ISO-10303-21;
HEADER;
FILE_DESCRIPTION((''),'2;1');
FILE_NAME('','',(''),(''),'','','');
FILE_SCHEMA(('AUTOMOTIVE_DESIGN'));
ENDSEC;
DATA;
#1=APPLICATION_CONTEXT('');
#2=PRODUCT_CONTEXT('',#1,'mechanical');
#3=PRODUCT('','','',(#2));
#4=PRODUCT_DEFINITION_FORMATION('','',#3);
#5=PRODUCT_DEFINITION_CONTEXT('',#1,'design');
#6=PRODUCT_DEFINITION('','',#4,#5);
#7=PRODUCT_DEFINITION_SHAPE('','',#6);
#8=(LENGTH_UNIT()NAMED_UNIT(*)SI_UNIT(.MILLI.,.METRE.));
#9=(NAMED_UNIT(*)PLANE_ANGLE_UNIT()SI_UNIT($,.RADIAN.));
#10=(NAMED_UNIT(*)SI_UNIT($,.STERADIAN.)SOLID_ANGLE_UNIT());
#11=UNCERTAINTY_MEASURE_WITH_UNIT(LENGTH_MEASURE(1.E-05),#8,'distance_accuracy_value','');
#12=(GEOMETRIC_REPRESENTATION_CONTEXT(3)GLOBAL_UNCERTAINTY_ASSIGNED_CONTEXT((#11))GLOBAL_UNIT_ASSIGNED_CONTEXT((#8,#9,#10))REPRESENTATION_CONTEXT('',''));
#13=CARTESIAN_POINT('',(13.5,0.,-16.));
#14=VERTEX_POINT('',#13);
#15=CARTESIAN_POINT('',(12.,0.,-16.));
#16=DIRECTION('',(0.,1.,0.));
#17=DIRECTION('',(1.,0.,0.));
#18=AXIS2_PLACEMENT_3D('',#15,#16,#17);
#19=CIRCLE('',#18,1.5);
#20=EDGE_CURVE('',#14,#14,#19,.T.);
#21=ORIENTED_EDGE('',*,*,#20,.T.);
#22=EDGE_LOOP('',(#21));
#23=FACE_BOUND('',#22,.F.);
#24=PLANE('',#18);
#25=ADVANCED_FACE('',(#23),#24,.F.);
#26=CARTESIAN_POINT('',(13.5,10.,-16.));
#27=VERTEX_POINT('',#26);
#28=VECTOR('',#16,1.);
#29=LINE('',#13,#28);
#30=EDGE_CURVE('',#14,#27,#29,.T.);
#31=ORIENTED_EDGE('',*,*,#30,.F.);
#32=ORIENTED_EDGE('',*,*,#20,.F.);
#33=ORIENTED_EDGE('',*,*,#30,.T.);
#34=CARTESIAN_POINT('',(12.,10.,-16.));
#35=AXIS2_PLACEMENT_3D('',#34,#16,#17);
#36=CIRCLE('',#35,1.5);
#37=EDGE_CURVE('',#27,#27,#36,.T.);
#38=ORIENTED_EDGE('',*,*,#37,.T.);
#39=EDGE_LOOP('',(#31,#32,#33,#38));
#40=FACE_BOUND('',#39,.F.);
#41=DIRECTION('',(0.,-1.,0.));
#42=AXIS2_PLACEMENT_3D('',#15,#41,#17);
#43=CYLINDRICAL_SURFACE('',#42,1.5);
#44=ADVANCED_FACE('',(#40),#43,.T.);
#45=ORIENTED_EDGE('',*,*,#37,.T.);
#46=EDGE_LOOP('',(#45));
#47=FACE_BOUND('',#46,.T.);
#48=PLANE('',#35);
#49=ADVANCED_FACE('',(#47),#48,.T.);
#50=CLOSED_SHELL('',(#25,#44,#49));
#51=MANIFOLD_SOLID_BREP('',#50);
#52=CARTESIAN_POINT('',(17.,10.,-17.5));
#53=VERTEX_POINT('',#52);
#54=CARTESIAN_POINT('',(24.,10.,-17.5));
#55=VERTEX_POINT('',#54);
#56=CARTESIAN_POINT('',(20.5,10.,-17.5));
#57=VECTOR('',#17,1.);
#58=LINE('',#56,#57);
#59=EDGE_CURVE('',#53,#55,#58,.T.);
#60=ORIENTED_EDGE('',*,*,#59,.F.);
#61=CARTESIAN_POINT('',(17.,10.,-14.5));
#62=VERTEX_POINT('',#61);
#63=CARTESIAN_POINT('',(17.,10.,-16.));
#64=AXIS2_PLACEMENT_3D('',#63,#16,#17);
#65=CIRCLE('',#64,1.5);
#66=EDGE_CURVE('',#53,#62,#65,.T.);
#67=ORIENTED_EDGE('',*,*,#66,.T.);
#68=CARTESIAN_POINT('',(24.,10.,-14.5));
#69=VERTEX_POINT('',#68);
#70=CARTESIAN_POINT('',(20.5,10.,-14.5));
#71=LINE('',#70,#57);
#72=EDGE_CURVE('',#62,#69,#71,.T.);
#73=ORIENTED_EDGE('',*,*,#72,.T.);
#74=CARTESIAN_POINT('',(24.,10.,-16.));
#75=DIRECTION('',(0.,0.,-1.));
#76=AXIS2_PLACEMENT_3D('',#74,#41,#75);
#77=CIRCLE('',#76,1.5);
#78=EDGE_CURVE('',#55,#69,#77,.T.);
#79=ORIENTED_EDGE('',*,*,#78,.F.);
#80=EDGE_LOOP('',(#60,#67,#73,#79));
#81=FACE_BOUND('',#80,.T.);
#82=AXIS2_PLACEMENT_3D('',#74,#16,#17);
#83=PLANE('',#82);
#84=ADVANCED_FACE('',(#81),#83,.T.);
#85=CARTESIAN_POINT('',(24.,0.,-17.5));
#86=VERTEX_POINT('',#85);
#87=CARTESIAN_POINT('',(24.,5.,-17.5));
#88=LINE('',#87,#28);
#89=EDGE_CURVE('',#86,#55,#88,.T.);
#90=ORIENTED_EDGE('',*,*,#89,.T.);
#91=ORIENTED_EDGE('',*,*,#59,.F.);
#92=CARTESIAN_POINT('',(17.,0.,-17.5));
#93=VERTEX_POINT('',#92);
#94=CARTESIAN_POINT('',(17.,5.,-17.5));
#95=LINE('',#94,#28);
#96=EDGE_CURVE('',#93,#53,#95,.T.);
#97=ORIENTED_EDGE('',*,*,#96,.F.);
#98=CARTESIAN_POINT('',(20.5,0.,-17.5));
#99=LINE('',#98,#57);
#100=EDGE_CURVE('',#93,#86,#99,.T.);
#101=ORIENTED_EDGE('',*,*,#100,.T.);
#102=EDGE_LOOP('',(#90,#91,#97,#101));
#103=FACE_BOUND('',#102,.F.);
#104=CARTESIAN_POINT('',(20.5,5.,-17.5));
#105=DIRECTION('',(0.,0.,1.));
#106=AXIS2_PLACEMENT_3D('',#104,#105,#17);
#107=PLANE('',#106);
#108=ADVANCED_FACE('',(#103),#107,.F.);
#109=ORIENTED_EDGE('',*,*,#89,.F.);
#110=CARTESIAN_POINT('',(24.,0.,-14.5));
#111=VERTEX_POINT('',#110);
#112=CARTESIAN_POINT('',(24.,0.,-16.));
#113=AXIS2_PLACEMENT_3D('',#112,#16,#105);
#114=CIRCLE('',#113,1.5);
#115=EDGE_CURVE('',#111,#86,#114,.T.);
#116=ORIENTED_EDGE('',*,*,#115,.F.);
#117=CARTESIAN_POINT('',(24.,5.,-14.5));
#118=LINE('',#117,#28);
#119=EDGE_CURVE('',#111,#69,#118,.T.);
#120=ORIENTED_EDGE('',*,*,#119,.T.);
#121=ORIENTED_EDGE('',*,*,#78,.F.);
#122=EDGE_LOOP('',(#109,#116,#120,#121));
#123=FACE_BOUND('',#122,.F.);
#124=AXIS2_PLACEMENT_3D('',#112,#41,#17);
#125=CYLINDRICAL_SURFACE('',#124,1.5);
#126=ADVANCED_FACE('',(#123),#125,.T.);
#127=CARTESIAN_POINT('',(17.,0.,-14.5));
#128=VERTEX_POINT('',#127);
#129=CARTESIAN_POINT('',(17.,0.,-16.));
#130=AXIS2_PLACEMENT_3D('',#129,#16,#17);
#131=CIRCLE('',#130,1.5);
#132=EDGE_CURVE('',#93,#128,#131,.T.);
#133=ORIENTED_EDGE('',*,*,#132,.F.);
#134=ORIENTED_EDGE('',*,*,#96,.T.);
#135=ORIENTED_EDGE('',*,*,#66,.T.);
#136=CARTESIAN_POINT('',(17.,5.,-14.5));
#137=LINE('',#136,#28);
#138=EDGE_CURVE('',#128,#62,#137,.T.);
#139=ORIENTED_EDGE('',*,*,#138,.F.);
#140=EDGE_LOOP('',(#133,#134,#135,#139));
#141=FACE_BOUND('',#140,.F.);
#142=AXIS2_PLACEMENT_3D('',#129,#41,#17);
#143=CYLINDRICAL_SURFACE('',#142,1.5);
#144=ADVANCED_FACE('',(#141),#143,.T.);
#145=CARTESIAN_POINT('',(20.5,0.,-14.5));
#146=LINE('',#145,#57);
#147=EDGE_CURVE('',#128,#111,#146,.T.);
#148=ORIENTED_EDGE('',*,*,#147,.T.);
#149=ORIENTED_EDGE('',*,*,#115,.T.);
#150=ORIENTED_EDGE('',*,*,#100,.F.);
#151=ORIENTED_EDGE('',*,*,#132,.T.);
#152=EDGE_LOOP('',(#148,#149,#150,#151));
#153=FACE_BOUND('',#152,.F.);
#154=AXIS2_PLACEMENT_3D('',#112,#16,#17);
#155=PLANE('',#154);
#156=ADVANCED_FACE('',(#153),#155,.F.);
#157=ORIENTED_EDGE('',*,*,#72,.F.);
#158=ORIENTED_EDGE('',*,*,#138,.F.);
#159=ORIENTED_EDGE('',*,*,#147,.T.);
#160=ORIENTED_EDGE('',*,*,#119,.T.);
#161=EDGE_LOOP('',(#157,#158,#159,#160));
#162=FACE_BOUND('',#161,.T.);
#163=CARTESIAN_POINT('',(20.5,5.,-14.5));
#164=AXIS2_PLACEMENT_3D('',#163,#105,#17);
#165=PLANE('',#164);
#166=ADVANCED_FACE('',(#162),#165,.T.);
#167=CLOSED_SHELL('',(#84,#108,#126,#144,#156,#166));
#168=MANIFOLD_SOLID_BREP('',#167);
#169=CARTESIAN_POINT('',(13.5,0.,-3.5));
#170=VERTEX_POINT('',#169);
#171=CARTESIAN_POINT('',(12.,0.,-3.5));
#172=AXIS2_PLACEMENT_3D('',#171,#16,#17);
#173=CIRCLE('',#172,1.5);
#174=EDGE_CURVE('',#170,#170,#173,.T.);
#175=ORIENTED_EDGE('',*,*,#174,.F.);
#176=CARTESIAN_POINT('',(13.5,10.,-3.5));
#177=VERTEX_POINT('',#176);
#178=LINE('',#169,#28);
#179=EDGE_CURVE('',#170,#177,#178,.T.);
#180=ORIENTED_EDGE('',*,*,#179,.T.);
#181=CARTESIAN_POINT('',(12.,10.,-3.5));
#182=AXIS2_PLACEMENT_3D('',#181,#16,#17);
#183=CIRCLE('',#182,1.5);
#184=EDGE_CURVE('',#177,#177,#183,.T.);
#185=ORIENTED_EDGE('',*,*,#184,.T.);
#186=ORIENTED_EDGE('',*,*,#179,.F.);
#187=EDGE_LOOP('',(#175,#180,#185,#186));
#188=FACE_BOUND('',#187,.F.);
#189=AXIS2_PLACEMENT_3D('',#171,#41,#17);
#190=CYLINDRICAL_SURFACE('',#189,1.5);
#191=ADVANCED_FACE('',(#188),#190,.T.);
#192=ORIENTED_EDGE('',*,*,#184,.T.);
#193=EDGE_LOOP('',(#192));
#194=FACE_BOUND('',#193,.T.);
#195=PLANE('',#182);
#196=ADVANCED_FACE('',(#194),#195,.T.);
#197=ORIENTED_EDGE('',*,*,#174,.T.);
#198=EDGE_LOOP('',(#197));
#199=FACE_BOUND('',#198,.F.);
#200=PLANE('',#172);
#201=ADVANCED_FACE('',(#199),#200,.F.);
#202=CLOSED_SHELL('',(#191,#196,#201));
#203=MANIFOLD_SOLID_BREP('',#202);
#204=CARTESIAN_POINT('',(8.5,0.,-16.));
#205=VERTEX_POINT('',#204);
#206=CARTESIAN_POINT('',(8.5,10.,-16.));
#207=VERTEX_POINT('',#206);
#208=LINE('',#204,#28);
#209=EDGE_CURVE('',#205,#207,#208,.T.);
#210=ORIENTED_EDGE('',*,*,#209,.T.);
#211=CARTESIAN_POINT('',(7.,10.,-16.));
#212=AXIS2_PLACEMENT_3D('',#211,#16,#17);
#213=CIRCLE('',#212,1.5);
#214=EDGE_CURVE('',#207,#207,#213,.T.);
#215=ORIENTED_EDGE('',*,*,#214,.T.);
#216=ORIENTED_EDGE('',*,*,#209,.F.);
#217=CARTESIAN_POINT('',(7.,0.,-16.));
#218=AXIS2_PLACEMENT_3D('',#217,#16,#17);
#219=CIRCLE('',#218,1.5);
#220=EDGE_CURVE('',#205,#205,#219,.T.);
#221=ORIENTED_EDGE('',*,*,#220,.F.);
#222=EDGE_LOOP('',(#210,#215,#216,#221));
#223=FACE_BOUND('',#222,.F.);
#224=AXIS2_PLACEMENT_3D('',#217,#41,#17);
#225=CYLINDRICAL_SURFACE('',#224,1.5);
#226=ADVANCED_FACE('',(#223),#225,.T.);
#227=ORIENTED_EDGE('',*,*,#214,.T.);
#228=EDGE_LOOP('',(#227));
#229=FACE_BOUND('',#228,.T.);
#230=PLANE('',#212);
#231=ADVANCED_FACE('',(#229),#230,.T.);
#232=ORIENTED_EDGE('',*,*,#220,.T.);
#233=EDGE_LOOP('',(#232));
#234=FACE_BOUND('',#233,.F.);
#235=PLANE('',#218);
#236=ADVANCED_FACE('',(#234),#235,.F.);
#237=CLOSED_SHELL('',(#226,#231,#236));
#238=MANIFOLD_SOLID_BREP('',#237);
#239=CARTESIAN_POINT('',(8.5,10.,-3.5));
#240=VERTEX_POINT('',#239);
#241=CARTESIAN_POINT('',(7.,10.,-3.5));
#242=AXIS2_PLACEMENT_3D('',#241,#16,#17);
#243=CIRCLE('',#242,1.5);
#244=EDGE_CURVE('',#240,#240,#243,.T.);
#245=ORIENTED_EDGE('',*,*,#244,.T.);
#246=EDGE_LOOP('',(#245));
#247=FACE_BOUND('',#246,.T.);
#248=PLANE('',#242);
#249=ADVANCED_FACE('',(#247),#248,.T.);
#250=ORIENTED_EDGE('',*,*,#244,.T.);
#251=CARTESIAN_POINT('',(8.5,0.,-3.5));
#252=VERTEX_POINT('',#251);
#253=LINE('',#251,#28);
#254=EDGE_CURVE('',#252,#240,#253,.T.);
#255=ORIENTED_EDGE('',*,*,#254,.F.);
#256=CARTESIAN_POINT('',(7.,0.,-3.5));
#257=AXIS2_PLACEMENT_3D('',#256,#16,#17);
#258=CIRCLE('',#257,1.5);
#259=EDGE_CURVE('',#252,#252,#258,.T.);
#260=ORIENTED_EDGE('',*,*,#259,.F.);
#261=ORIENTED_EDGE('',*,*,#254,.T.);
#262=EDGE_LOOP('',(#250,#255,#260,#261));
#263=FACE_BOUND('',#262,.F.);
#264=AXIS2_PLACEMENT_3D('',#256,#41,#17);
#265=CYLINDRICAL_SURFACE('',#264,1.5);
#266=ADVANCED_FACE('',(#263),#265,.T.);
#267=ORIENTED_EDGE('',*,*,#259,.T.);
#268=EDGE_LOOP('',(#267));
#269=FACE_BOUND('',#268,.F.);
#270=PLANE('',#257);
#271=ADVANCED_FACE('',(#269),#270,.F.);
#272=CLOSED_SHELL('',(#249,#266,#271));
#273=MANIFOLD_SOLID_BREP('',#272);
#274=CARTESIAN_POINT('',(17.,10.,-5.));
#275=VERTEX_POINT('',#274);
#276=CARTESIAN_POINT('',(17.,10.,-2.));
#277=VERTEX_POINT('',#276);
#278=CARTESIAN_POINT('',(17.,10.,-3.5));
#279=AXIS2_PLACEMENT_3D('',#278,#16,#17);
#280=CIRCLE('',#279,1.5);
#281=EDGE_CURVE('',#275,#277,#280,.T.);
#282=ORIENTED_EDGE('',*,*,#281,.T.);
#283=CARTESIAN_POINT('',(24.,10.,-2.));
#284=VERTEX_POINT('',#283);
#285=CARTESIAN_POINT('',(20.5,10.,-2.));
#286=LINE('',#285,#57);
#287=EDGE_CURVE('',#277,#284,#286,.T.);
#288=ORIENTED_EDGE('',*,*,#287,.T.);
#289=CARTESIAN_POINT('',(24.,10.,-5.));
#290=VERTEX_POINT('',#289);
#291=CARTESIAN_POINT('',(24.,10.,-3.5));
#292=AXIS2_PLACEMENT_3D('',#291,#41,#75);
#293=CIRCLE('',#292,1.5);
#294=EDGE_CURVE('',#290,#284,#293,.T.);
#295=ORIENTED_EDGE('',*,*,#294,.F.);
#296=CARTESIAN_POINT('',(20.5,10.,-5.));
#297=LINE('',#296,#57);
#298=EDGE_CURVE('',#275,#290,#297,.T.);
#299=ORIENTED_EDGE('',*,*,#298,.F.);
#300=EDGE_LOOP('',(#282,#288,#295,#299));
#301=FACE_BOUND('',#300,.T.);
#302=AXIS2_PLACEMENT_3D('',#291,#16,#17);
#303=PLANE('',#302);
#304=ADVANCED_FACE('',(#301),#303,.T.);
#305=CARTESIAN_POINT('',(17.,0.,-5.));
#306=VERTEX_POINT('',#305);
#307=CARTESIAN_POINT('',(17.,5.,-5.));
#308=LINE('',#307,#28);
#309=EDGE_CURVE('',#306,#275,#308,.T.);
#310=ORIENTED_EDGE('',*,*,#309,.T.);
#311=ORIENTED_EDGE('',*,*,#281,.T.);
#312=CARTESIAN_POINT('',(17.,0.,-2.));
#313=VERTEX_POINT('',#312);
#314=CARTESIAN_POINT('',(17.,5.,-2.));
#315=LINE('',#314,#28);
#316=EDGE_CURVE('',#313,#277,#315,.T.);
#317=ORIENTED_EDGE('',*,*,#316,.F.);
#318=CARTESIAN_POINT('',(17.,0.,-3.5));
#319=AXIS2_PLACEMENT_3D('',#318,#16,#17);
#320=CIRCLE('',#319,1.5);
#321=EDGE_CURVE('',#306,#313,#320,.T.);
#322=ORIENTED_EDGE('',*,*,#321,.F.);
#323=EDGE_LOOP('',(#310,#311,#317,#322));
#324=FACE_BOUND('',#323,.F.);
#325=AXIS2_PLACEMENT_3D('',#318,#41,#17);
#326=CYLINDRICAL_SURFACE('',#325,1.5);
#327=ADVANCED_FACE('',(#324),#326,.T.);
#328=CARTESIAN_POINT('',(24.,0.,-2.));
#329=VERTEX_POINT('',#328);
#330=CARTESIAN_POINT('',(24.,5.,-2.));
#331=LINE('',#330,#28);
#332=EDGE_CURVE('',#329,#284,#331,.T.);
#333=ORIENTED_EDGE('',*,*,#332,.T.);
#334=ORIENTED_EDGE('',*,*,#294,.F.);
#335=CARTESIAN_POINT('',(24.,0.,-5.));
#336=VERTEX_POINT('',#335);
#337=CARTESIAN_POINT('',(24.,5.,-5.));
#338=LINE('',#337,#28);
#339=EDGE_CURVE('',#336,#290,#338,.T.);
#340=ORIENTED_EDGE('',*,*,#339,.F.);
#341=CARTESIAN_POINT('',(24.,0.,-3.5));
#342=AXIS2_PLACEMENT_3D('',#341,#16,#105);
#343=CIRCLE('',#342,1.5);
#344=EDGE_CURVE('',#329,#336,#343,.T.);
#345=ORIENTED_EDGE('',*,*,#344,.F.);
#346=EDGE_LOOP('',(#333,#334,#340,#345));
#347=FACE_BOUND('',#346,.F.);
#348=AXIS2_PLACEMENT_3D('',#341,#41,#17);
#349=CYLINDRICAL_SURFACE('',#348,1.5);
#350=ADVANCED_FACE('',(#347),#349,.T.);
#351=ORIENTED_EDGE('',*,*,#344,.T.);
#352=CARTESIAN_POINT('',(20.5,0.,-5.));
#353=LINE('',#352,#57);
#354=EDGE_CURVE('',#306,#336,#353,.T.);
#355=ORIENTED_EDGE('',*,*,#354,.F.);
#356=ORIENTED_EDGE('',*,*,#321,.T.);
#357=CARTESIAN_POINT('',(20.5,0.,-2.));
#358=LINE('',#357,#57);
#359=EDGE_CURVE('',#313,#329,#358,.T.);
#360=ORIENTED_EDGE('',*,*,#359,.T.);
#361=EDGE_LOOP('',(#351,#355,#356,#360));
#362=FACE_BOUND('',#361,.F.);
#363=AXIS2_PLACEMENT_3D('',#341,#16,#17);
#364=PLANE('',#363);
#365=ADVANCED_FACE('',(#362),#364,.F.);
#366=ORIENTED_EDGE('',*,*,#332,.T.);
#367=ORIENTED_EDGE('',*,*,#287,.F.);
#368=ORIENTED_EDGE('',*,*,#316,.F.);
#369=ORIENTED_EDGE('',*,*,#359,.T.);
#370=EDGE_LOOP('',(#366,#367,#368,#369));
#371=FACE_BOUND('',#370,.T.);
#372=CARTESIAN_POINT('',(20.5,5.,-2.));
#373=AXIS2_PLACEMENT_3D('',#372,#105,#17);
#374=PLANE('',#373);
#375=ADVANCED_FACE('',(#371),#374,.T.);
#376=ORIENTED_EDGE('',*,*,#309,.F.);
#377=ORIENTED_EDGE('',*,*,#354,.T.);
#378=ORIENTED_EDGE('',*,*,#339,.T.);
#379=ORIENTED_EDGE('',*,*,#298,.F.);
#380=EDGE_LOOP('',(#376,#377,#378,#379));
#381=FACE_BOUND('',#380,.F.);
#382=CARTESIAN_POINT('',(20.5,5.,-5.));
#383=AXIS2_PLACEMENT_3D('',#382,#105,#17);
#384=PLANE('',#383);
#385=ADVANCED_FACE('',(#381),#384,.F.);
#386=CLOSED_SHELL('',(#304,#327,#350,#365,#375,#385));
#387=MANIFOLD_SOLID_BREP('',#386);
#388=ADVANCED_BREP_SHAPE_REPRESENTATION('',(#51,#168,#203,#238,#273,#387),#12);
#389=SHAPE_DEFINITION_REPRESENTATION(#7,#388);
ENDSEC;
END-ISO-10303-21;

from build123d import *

# Parameters (mm, degrees)
CYLINDER005_R     = 1.5
CYLINDER005_DEPTH = 10
CYLINDER007_R     = 1.5
CYLINDER007_DEPTH = 10
BOX010_W          = 7
BOX010_H          = 10
BOX010_DEPTH      = 3
CYLINDER008_R     = 1.5
CYLINDER008_DEPTH = 10
CYLINDER009_R     = 1.5
CYLINDER009_DEPTH = 10
CYLINDER011_R     = 1.5
CYLINDER011_DEPTH = 10
CYLINDER010_R     = 1.5
CYLINDER010_DEPTH = 10
BOX011_W          = 7
BOX011_H          = 10
BOX011_DEPTH      = 3
CYLINDER004_R     = 1.5
CYLINDER004_DEPTH = 10
CYLINDER006_R     = 1.5
CYLINDER006_DEPTH = 10


with BuildPart() as cylinder005:
    # Cylinder005 → Cylinder005 (new body)
    with BuildSketch(Plane(origin=(24, 0, -16), x_dir=(1, 0, 0), z_dir=(0, 1, 0))):
        Circle(CYLINDER005_R)
    extrude(amount=CYLINDER005_DEPTH)


with BuildPart() as fusion007:
    # Cylinder007 → Cylinder007 (new body)
    with BuildSketch(Plane(origin=(19, 0, -16), x_dir=(1, 0, 0), z_dir=(0, 1, 0))):
        Circle(CYLINDER007_R)
    extrude(amount=CYLINDER007_DEPTH)

    # Fusion007: union Cylinder005
    add(cylinder005.part)


with BuildPart() as fusion007_1:
    # Fusion007 placement: moved
    add(fusion007.part.moved(Location((-12, 0, 0))))


with BuildPart() as cube009:
    # Box010 → Box010 (new body)
    with BuildSketch(Plane(origin=(7, 0, -5), x_dir=(1, 0, 0), z_dir=(0, 0, 1))):
        with Locations((3.5, 5)):
            Rectangle(BOX010_W, BOX010_H)
    extrude(amount=BOX010_DEPTH)


with BuildPart() as cylinder008:
    # Cylinder008 → Cylinder008 (new body)
    with BuildSketch(Plane(origin=(14, 0, -3.5), x_dir=(1, 0, 0), z_dir=(0, 1, 0))):
        Circle(CYLINDER008_R)
    extrude(amount=CYLINDER008_DEPTH)


with BuildPart() as fusion006:
    # Cylinder009 → Cylinder009 (new body)
    with BuildSketch(Plane(origin=(7, 0, -3.5), x_dir=(1, 0, 0), z_dir=(0, 1, 0))):
        Circle(CYLINDER009_R)
    extrude(amount=CYLINDER009_DEPTH)

    # Fusion006: union Cube009, Cylinder008
    add(cube009.part)
    add(cylinder008.part)


with BuildPart() as fusion006_1:
    # Fusion006 placement: moved
    add(fusion006.part.moved(Location((10, 0, 0))))


with BuildPart() as cylinder011:
    # Cylinder011 → Cylinder011 (new body)
    with BuildSketch(Plane(origin=(7, 0, -16), x_dir=(1, 0, 0), z_dir=(0, 1, 0))):
        Circle(CYLINDER011_R)
    extrude(amount=CYLINDER011_DEPTH)


with BuildPart() as cylinder010:
    # Cylinder010 → Cylinder010 (new body)
    with BuildSketch(Plane(origin=(14, 0, -16), x_dir=(1, 0, 0), z_dir=(0, 1, 0))):
        Circle(CYLINDER010_R)
    extrude(amount=CYLINDER010_DEPTH)


with BuildPart() as fusion005:
    # Box011 → Box011 (new body)
    with BuildSketch(Plane(origin=(7, 0, -17.5), x_dir=(1, 0, 0), z_dir=(0, 0, 1))):
        with Locations((3.5, 5)):
            Rectangle(BOX011_W, BOX011_H)
    extrude(amount=BOX011_DEPTH)

    # Fusion005: union Cylinder011, Cylinder010
    add(cylinder011.part)
    add(cylinder010.part)


with BuildPart() as fusion005_1:
    # Fusion005 placement: moved
    add(fusion005.part.moved(Location((10, 0, 0))))


with BuildPart() as cylinder004:
    # Cylinder004 → Cylinder004 (new body)
    with BuildSketch(Plane(origin=(24, 0, -3.5), x_dir=(1, 0, 0), z_dir=(0, 1, 0))):
        Circle(CYLINDER004_R)
    extrude(amount=CYLINDER004_DEPTH)


with BuildPart() as fusion009:
    # Cylinder006 → Cylinder006 (new body)
    with BuildSketch(Plane(origin=(19, 0, -3.5), x_dir=(1, 0, 0), z_dir=(0, 1, 0))):
        Circle(CYLINDER006_R)
    extrude(amount=CYLINDER006_DEPTH)

    # Fusion008: union Cylinder004
    add(cylinder004.part)


with BuildPart() as fusion009_1:
    # Fusion008 placement: moved
    add(fusion009.part.moved(Location((-12, 0, 0))))

    # Fusion009: union Fusion007, Fusion006, Fusion005
    add(fusion007_1.part)
    add(fusion006_1.part)
    add(fusion005_1.part)


solid = fusion009_1.part
